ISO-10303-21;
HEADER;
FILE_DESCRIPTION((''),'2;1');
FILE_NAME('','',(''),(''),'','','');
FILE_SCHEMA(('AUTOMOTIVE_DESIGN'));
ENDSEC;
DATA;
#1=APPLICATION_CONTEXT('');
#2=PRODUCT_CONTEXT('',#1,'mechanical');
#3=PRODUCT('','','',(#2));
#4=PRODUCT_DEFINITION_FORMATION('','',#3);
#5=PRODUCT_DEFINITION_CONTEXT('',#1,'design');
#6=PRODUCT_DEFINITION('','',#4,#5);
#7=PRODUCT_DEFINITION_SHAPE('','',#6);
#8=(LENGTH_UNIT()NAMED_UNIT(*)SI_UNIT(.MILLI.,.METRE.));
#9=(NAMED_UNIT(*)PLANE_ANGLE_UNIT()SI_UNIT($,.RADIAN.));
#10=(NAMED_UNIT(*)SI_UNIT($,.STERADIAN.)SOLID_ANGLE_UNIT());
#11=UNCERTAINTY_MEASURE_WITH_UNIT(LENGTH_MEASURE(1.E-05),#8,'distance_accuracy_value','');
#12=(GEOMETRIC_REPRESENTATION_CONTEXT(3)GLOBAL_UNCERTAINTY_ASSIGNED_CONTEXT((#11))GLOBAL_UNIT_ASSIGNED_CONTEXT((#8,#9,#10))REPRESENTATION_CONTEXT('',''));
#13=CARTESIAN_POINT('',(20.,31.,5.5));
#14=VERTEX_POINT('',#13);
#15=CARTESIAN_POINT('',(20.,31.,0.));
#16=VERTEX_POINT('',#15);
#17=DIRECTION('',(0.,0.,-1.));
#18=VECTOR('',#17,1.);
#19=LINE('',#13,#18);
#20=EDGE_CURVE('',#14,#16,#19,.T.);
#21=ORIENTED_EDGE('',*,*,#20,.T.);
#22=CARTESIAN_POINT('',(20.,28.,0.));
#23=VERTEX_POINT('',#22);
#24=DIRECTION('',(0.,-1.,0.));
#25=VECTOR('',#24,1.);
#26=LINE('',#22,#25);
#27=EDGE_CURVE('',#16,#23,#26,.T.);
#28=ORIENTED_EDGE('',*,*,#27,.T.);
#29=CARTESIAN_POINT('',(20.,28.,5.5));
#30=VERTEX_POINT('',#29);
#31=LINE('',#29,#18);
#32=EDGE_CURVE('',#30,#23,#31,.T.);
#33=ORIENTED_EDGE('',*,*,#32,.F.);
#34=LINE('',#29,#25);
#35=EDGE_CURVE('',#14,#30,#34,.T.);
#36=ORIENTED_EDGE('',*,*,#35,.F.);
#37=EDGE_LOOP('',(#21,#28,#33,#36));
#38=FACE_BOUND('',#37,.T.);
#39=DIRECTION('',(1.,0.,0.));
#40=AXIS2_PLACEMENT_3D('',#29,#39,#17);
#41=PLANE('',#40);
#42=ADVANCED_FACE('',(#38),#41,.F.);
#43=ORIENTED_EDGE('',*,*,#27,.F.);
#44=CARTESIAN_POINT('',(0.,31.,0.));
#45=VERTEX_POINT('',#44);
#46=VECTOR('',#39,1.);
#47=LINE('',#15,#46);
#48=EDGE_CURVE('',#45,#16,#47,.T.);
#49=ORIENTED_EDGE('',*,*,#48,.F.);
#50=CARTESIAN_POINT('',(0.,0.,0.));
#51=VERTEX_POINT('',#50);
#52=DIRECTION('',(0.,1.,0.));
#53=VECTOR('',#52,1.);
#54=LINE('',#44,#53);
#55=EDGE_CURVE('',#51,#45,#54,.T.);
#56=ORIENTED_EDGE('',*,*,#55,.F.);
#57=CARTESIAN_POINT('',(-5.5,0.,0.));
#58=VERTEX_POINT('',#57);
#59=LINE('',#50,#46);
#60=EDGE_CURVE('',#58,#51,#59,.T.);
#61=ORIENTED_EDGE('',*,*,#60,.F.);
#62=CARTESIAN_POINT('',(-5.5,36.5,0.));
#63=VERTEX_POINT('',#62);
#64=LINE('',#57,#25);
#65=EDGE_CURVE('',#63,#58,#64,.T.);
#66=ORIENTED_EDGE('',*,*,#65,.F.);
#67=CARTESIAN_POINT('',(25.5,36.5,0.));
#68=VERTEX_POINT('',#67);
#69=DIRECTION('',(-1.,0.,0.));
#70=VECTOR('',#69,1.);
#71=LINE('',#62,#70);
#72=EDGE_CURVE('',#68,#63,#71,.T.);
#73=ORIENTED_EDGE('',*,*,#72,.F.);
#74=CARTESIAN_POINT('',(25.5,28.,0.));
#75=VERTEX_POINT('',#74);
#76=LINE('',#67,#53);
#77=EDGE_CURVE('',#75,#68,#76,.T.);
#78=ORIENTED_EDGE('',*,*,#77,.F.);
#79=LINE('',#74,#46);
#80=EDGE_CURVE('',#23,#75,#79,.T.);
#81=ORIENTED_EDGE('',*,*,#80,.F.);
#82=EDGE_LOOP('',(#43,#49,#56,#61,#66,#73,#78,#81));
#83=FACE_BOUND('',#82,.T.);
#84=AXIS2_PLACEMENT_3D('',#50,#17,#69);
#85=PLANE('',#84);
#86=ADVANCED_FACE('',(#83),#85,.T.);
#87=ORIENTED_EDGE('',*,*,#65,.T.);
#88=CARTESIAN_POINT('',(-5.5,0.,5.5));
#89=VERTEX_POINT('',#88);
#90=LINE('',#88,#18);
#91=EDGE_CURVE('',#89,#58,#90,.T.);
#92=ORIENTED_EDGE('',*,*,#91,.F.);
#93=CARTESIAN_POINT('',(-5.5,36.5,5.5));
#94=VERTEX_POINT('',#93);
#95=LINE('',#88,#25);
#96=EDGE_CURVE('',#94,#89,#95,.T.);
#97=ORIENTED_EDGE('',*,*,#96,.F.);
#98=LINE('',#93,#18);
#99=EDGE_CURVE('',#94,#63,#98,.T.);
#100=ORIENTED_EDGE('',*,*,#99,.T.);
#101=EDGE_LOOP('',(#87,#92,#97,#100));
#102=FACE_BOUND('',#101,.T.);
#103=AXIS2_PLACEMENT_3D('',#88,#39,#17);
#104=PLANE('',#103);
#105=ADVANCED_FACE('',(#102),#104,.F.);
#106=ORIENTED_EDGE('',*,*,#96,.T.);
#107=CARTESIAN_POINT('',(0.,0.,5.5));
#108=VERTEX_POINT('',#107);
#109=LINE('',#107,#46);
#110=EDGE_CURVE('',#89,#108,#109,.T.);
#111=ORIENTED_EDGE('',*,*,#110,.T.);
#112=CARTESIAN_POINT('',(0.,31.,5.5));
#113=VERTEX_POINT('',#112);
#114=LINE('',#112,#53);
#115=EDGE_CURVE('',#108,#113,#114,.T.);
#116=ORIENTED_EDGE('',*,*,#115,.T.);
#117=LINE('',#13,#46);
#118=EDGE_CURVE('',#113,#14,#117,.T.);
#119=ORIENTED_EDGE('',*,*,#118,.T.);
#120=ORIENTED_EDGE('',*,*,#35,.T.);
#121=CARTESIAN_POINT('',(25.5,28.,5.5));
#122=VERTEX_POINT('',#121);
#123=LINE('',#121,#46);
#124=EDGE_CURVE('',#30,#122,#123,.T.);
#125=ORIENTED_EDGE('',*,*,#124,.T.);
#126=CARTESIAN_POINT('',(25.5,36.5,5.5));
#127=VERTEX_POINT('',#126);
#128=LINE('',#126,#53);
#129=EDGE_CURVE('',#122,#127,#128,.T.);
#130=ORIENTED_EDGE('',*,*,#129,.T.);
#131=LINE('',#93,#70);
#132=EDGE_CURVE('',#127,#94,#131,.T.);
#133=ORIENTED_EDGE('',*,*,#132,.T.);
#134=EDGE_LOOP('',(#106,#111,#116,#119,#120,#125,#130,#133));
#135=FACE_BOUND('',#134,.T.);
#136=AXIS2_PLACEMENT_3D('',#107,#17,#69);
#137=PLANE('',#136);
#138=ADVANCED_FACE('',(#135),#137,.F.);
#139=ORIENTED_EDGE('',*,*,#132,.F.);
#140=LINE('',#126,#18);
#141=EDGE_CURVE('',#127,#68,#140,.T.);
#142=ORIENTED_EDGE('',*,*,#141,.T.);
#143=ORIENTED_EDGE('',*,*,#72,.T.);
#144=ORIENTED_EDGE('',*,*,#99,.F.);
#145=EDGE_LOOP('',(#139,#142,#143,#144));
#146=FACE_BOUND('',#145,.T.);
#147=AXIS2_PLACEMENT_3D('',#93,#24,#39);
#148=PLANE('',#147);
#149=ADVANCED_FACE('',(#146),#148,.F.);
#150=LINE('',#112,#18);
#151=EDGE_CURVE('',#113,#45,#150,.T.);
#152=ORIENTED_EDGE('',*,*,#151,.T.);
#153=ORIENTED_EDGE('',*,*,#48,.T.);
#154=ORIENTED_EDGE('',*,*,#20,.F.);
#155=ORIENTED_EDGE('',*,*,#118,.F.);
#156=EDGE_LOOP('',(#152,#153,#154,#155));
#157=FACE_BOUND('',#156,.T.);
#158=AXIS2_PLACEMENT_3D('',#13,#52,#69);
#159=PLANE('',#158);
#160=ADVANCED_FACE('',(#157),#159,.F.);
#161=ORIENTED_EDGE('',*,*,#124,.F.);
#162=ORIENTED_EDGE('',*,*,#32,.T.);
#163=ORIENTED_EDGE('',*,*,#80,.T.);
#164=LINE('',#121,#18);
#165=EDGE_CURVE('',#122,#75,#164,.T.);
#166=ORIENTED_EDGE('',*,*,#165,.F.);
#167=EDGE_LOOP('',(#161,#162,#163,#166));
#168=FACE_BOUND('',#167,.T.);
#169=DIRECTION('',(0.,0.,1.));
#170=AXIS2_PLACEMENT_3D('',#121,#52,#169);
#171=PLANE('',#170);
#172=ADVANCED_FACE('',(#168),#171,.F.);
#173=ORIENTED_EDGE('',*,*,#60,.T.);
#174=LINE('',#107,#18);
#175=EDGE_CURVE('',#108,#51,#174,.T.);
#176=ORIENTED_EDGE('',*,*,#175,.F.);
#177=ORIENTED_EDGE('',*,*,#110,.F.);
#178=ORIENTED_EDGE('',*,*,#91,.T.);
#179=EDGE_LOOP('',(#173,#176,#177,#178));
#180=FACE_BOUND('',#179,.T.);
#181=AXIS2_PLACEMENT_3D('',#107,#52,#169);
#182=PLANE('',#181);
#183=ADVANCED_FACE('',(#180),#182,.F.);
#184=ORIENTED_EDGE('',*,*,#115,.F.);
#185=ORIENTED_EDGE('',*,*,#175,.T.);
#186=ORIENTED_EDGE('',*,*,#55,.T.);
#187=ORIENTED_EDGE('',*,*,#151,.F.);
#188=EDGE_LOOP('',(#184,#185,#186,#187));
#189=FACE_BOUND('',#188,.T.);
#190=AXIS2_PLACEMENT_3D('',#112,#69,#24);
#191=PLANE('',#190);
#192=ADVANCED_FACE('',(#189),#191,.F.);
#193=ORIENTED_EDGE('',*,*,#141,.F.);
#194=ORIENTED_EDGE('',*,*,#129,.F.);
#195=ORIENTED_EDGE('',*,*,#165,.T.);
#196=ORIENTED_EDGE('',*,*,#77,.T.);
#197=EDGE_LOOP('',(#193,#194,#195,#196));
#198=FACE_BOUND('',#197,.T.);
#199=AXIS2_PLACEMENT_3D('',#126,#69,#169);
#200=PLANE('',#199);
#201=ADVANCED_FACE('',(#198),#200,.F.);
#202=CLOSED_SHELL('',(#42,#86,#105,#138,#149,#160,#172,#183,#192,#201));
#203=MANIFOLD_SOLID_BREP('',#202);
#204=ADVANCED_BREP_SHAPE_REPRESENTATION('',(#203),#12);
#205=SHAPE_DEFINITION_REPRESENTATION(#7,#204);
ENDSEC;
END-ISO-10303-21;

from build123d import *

# Parameters (mm, degrees)
EXTRUDE_1_DEPTH = 5.5


with BuildPart() as part:
    # ｽｹｯﾁ1 → ﾎﾞｽ - 押し出し1 (new body)
    with BuildSketch(Plane.XY):
        Polygon((0, 0), (-5.5, 0), (-5.5, 36.5), (25.5, 36.5), (25.5, 28), (20, 28), (20, 31), (0, 31), align=None)
    extrude(amount=EXTRUDE_1_DEPTH)


solid = part.part
